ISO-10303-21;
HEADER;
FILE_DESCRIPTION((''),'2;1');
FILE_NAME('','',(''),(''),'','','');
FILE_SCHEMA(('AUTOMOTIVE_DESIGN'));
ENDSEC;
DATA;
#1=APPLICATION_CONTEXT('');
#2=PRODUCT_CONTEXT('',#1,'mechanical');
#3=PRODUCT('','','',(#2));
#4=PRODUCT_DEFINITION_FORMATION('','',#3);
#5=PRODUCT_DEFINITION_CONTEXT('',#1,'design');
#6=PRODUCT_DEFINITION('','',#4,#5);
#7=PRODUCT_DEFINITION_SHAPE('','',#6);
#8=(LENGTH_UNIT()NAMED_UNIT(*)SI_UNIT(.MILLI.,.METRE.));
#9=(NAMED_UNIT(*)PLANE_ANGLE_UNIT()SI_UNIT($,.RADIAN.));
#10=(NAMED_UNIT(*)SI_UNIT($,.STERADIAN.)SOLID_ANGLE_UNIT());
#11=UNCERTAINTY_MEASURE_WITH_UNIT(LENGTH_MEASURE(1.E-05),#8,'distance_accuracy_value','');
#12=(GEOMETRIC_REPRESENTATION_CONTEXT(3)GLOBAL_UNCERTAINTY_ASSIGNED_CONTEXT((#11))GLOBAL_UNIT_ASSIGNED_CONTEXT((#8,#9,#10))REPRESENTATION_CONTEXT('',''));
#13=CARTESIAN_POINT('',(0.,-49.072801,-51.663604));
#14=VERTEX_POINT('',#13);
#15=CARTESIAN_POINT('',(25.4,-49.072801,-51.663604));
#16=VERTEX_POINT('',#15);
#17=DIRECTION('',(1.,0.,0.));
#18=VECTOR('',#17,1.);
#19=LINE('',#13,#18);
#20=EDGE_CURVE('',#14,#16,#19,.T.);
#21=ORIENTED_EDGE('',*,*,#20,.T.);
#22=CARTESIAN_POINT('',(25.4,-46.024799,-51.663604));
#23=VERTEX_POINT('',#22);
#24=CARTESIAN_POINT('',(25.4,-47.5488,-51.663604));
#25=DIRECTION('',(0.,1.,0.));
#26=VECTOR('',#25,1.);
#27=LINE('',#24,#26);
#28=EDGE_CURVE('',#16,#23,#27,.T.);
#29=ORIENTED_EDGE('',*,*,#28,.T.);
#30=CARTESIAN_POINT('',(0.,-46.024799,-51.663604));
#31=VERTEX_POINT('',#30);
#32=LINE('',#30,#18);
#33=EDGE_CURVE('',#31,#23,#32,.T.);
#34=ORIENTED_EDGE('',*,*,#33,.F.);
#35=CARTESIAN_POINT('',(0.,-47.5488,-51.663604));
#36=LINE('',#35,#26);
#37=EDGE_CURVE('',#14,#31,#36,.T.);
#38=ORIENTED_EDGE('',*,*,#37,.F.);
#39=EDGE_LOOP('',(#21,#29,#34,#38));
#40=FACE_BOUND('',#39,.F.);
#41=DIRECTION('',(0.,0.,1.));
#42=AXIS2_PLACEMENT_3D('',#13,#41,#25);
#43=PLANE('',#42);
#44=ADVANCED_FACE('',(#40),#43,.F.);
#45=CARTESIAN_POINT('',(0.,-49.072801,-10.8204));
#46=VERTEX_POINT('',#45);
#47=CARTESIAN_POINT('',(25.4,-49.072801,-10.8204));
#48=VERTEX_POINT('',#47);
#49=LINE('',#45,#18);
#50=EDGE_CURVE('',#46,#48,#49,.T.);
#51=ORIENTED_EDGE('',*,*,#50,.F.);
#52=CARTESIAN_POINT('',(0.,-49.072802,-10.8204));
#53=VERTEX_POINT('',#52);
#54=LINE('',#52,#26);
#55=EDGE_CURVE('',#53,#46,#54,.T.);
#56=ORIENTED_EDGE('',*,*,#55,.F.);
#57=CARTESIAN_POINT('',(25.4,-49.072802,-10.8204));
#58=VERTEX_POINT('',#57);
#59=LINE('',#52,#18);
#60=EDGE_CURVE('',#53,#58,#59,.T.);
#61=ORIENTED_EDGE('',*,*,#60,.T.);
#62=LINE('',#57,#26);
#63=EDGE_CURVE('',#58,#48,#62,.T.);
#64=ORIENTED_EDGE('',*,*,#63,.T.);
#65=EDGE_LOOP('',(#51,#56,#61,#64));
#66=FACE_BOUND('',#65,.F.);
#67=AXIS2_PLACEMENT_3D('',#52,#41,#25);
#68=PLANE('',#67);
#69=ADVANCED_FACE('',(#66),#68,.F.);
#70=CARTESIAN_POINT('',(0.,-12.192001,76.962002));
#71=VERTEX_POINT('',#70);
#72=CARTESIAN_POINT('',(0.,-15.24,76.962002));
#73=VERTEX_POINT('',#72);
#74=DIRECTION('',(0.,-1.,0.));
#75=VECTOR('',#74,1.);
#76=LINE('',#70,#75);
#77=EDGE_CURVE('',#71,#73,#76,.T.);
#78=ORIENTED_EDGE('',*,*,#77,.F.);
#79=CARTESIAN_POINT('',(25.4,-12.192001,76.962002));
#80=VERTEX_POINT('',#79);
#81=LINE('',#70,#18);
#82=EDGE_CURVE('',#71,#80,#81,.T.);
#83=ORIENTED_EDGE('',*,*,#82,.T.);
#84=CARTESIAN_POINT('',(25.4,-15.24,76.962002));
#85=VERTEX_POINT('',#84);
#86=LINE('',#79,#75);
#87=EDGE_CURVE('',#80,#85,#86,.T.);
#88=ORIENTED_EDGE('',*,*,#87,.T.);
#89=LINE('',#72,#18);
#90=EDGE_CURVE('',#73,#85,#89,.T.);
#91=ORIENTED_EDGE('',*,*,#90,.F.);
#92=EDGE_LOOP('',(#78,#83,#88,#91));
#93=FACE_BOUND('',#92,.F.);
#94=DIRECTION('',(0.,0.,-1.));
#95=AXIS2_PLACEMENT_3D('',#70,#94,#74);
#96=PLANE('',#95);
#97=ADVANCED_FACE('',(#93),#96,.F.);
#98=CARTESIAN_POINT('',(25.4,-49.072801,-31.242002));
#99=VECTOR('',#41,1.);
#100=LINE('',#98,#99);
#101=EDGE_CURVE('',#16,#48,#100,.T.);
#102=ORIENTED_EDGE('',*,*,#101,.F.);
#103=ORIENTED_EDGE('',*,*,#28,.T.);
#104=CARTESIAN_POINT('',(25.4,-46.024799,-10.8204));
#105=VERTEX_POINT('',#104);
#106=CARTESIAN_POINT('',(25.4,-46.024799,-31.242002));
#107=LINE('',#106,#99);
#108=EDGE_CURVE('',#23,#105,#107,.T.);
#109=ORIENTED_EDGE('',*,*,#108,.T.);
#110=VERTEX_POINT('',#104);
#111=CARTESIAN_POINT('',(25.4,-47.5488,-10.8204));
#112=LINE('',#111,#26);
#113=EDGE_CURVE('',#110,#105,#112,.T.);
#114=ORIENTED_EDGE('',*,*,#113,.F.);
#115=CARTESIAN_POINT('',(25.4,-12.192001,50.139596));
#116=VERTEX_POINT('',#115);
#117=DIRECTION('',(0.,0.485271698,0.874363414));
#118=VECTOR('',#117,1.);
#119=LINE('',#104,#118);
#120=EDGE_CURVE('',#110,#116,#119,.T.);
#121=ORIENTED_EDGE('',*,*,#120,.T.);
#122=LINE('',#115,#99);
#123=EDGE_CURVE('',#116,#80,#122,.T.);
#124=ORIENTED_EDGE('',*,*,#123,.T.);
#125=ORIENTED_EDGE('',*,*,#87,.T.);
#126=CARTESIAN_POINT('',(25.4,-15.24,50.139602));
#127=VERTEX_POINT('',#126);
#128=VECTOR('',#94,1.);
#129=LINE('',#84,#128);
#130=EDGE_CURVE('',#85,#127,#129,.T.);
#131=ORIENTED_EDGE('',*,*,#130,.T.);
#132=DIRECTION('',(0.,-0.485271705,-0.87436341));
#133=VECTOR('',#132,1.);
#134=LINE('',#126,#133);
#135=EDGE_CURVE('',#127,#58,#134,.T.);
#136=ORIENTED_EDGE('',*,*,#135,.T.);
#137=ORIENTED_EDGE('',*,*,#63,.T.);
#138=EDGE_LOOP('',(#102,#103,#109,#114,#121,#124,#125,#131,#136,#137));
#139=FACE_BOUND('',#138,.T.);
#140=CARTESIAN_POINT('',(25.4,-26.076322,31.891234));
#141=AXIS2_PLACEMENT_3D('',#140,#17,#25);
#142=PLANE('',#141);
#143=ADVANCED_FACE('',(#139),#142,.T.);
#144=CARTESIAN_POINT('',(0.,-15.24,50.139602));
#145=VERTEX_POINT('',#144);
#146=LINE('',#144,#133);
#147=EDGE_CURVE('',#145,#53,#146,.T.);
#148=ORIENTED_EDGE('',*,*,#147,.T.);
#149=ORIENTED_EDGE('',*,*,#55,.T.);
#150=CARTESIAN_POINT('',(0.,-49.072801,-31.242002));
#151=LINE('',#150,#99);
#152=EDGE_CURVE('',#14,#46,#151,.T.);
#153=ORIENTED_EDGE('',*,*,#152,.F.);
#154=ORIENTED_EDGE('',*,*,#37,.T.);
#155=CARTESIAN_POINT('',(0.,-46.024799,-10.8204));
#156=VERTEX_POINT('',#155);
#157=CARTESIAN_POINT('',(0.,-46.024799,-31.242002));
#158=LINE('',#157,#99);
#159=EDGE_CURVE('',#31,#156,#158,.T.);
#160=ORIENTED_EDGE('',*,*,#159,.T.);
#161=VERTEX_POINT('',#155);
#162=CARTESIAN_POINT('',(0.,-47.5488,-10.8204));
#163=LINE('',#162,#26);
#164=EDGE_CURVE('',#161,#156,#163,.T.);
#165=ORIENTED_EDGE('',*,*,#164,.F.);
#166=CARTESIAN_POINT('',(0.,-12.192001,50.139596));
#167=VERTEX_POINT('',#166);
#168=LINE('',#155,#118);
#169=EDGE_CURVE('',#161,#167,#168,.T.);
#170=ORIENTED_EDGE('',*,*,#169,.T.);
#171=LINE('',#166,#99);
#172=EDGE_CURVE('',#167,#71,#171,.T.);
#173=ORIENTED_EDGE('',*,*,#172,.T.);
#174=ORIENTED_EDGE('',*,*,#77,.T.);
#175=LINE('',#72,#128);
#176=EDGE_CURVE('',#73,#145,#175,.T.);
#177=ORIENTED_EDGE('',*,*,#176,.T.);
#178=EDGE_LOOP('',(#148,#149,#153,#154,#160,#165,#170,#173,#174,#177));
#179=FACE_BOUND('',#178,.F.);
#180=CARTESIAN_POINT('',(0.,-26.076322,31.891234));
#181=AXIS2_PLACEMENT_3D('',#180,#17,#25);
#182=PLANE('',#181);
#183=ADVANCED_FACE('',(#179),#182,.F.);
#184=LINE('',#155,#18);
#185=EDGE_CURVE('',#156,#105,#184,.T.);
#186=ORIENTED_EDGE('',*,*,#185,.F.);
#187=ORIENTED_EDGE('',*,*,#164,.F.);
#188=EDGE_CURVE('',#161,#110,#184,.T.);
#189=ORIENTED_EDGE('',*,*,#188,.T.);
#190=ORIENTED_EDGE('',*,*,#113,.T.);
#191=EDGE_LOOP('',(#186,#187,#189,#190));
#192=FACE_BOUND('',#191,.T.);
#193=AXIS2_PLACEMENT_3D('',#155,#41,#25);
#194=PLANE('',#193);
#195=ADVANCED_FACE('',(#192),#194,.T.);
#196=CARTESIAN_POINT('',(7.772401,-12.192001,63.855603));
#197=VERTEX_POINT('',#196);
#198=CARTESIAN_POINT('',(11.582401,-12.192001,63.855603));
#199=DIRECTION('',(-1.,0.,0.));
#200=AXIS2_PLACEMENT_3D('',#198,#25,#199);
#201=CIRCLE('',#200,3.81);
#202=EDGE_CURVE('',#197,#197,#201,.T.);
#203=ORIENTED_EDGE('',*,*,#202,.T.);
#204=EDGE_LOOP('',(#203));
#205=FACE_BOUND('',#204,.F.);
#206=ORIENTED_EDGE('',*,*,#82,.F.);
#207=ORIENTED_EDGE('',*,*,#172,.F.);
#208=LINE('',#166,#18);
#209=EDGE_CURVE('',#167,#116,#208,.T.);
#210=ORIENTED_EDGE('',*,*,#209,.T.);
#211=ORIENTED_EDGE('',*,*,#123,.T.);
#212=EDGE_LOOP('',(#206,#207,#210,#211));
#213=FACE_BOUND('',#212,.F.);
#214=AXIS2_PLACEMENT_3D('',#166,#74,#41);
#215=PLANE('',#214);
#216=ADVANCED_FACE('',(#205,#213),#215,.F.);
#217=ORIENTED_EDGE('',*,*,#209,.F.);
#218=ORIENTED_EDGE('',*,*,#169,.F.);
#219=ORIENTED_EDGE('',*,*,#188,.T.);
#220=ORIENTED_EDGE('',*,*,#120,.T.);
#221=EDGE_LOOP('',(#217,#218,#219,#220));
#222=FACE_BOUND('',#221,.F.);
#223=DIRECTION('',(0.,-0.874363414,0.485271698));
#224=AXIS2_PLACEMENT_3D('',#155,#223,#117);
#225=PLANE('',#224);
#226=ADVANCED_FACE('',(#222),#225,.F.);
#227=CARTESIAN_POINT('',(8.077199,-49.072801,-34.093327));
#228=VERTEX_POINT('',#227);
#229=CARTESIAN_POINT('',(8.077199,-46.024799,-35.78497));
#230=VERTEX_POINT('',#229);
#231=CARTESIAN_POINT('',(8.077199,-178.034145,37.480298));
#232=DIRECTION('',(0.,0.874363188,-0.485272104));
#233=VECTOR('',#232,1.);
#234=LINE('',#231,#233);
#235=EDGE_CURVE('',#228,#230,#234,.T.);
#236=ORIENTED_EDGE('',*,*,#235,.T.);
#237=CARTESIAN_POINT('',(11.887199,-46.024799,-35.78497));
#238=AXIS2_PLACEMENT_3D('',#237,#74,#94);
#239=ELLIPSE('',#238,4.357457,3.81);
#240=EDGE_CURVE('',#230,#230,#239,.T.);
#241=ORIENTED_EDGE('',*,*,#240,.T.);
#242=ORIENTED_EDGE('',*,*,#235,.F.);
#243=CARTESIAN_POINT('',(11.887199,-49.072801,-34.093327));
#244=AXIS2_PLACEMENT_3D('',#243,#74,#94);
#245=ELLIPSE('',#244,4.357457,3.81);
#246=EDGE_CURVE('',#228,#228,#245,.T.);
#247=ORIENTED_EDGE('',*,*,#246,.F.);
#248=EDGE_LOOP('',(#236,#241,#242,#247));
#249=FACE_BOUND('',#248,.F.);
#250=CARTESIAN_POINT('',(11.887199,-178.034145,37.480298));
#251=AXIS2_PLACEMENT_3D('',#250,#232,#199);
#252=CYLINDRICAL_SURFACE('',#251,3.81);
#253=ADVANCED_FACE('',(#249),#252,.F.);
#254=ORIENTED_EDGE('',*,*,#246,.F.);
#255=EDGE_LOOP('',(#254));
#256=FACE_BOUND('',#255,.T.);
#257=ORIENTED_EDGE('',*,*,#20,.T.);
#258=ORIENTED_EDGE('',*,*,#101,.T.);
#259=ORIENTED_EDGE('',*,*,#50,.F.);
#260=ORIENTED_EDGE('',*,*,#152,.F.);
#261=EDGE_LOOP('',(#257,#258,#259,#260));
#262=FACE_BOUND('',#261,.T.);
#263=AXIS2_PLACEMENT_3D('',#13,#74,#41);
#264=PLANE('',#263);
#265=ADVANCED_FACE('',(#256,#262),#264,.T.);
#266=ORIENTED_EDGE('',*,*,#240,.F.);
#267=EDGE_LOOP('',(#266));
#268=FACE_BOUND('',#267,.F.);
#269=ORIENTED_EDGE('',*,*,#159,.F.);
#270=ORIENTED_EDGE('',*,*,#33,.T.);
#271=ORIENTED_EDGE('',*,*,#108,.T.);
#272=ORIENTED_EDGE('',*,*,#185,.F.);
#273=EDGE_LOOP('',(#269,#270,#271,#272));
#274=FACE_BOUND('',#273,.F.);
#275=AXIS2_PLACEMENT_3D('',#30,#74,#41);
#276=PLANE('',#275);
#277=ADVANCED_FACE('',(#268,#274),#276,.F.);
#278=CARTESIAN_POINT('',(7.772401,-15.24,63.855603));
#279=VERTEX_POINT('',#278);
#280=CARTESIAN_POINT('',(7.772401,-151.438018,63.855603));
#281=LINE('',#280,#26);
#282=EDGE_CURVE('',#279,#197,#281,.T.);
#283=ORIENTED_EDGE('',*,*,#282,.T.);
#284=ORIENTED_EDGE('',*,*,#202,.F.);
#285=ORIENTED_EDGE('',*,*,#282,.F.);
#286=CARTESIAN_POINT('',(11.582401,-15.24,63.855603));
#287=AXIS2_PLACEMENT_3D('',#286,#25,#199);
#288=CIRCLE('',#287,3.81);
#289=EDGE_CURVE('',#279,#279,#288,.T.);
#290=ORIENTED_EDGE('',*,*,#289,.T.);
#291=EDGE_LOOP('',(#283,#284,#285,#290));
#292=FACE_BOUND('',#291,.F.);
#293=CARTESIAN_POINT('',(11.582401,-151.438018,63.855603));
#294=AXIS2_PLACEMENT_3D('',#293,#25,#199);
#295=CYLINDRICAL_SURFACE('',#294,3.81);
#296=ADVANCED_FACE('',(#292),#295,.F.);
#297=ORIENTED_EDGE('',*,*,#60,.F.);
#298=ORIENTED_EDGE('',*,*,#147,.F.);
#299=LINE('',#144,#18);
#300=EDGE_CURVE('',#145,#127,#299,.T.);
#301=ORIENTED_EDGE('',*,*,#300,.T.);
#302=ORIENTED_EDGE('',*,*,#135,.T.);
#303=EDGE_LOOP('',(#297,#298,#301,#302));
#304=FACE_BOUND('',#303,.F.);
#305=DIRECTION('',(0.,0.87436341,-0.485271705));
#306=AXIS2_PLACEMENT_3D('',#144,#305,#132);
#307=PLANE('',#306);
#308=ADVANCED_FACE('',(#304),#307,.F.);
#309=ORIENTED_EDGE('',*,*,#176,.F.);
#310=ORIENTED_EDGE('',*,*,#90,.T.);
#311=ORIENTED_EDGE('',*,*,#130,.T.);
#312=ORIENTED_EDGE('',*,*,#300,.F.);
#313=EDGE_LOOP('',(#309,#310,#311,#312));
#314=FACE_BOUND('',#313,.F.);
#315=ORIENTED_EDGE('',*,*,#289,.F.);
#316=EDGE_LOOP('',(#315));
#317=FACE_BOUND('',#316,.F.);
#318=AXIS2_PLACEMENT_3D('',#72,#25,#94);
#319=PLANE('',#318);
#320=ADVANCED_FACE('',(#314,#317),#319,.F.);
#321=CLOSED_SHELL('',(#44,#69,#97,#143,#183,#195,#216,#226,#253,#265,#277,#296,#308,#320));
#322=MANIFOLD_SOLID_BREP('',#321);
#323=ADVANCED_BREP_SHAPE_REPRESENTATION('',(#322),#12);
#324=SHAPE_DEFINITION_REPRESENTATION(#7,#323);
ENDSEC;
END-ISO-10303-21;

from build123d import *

# Parameters (mm, degrees)
F0_W     = 3.048003
F0_H     = 40.843204
F1_DEPTH = 25.4
F3_D     = 7.62
F5_D     = 7.62


with BuildPart() as f1:
    # F0 (on Right) → F1 (new body)
    with BuildSketch(Plane.YZ):
        Polygon((-15.24, 50.139602), (-49.072802, -10.8204), (-46.024799, -10.8204), (-12.192001, 50.139596), (-12.192001, 76.962002), (-15.24, 76.962002), align=None)
        with Locations((-47.5488, -31.242002)):
            Rectangle(F0_W, F0_H)
    extrude(amount=F1_DEPTH)

    # F3 (through all)
    with Locations(Plane(origin=(0, -32.925578, 18.273696), x_dir=(1, 0, 0), z_dir=(0, -0.874363, 0.485272))):
        with Locations((11.887199, -53.623594)):
            Hole(F3_D / 2)

    # F5 (through all)
    with Locations(Plane.XZ.offset(15.24)):
        with Locations((11.582401, 63.855603)):
            Hole(F5_D / 2)


solid = f1.part
